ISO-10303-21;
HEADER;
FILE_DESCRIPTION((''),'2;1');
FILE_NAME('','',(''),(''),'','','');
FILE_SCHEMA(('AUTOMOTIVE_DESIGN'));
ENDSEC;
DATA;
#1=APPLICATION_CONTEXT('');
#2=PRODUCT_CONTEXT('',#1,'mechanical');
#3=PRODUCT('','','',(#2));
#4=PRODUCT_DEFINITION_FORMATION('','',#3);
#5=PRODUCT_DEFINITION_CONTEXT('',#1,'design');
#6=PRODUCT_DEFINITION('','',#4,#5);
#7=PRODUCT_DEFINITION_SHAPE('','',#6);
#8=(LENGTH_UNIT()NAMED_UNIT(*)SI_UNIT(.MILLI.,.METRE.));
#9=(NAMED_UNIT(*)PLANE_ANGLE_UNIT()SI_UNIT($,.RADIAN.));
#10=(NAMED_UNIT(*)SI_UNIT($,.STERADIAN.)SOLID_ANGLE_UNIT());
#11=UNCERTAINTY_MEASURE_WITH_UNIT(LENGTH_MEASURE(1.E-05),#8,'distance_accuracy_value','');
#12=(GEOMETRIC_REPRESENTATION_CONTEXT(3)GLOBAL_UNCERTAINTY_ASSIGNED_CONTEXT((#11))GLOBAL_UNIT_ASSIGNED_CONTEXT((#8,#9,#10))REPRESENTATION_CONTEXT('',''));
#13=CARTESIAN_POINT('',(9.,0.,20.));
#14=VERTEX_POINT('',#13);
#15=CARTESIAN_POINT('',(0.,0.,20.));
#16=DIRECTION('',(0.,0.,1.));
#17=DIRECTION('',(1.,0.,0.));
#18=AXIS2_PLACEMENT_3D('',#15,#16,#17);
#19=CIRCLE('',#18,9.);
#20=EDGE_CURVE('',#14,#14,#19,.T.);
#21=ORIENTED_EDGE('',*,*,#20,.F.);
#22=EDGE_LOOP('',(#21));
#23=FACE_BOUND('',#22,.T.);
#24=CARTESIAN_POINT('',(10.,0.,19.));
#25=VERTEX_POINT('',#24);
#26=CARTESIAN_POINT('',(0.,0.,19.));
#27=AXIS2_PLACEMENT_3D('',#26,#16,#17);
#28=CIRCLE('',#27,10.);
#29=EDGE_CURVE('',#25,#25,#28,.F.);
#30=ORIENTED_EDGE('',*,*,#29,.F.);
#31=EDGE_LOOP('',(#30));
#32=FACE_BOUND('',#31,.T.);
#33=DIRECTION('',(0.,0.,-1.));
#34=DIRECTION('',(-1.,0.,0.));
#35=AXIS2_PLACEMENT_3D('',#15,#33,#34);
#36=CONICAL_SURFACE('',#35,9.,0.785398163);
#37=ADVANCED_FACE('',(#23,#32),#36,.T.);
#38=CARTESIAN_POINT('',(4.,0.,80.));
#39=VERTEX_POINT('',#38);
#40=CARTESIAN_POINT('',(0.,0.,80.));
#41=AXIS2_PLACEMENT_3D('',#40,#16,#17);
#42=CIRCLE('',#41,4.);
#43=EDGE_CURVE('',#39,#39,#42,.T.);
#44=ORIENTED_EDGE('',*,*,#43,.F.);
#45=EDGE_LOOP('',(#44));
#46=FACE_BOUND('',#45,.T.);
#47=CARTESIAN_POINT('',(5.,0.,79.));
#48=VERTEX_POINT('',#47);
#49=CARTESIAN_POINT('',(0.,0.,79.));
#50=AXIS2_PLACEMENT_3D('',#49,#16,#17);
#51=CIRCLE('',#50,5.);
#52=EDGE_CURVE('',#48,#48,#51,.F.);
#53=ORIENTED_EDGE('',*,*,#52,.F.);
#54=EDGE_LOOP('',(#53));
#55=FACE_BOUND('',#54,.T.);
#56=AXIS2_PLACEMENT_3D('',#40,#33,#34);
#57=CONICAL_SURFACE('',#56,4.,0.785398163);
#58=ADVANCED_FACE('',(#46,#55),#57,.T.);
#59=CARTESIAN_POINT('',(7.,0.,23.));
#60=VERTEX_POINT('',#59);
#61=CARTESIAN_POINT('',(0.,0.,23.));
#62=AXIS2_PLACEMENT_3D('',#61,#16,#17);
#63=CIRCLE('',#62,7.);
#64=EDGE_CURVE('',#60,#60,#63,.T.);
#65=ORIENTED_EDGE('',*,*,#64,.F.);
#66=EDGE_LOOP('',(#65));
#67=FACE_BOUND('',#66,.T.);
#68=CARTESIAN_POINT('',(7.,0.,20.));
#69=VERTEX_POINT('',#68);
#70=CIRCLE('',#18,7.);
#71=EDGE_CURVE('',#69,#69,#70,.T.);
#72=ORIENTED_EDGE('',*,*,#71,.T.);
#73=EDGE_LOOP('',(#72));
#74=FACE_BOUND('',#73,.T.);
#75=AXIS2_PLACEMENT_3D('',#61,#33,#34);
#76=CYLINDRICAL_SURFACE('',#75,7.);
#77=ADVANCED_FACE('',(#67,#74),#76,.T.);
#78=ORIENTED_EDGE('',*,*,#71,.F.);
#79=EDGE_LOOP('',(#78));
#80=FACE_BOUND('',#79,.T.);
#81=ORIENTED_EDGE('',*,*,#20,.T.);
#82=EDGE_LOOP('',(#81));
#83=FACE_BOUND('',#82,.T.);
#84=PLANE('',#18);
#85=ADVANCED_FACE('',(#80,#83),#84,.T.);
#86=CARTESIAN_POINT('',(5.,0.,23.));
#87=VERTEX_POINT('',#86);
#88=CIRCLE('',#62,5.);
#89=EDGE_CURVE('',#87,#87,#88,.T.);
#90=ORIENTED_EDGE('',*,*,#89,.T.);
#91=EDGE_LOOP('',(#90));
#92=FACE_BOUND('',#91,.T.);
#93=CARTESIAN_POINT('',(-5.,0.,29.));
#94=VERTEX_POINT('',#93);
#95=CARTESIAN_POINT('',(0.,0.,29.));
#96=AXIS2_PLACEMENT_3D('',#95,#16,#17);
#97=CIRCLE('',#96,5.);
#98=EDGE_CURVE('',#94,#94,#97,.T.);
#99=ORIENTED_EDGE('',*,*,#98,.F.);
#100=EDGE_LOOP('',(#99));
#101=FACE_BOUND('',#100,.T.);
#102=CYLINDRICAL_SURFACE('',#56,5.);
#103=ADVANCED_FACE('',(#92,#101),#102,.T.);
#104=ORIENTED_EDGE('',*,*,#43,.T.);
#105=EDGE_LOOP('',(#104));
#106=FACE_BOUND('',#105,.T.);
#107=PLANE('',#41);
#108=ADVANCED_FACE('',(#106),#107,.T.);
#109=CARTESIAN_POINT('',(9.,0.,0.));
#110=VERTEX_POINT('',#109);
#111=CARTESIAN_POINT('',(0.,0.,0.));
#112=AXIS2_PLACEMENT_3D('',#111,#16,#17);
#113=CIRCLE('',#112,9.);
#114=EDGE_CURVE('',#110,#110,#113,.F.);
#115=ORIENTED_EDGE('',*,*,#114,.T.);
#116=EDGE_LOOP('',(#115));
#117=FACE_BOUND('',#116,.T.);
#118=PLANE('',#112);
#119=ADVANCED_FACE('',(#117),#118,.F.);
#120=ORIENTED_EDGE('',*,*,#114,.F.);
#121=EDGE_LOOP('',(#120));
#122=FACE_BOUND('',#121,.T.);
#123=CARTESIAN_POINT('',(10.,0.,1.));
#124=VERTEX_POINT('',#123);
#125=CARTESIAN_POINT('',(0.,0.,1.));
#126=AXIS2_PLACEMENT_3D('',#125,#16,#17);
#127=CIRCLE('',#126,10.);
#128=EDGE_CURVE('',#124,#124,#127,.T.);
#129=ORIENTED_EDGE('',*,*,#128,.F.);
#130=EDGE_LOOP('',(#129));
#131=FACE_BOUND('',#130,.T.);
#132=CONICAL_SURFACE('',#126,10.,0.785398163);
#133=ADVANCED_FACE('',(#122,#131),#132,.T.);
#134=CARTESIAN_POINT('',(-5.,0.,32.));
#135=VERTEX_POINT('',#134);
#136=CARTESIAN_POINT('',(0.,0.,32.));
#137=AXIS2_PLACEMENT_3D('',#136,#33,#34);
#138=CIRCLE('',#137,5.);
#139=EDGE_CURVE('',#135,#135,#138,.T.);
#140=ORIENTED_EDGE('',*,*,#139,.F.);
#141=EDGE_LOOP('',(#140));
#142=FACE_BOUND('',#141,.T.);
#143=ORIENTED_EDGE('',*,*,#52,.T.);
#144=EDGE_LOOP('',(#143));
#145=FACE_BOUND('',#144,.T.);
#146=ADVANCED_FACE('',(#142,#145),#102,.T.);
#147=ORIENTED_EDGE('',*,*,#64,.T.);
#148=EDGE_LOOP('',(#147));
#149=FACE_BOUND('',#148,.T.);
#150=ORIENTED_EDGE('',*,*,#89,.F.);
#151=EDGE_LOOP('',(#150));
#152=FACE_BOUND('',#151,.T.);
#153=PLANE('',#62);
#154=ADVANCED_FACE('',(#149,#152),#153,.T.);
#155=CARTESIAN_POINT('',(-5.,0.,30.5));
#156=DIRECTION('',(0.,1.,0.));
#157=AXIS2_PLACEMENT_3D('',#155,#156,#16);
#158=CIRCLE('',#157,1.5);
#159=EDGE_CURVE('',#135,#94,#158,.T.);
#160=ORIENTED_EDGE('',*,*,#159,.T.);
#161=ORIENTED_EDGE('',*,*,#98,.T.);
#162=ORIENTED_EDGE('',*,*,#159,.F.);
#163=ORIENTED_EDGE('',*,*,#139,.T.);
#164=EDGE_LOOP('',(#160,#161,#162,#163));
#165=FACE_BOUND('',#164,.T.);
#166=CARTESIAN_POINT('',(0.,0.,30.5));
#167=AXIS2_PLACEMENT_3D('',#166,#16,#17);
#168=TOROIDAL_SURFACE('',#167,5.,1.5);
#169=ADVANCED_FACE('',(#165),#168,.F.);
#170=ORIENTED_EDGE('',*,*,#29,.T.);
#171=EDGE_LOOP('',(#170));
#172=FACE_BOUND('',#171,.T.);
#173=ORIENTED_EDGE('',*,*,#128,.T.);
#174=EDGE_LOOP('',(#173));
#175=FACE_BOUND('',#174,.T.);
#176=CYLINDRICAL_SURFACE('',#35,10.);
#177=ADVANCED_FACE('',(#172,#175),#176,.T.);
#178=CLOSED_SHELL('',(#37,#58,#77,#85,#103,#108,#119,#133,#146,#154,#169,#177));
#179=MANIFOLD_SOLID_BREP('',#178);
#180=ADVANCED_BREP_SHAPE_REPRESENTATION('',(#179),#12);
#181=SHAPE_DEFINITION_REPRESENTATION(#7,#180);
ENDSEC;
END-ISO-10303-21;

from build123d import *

# Parameters (mm, degrees)
ESBO_O1_R                = 10
RESSALTO_EXTRUS_O1_DEPTH = 20
ESBO_O2_R                = 7
RESSALTO_EXTRUS_O2_DEPTH = 3
ESBO_O3_R                = 5
RESSALTO_EXTRUS_O3_DEPTH = 57
CHANFRO1_SIZE            = 1
CHANFRO2_SIZE            = 1
CHANFRO3_SIZE            = 1
ESBO_O5_R                = 1.5


with BuildPart() as part:
    # Esboço1 → Ressalto-extrusão1 (new body)
    with BuildSketch(Plane.XY):
        Circle(ESBO_O1_R)
    extrude(amount=RESSALTO_EXTRUS_O1_DEPTH)

    # Esboço2 → Ressalto-extrusão2 (add)
    with BuildSketch(Plane.XY.offset(20)):
        Circle(ESBO_O2_R)
    extrude(amount=RESSALTO_EXTRUS_O2_DEPTH)

    # Esboço3 → Ressalto-extrusão3 (add)
    with BuildSketch(Plane.XY.offset(23)):
        with Locations(Location((0, 0, 0), (0, 0, 180))):
            Circle(ESBO_O3_R)
    extrude(amount=RESSALTO_EXTRUS_O3_DEPTH)

    # Chanfro1
    chanfro1_edges = [part.edges().sort_by_distance(p)[0] for p in [
        (-10, 0, 0),
    ]]
    chamfer(chanfro1_edges, length=CHANFRO1_SIZE)

    # Chanfro2
    chanfro2_edges = [part.edges().sort_by_distance(p)[0] for p in [
        (-10, 0, 20),
    ]]
    chamfer(chanfro2_edges, length=CHANFRO2_SIZE)

    # Chanfro3
    chanfro3_edges = [part.edges().sort_by_distance(p)[0] for p in [
        (5, 0, 80),
    ]]
    chamfer(chanfro3_edges, length=CHANFRO3_SIZE)

    # Varredura de corte1: sweep along a path in Esboço7
    with BuildLine(Plane.XY.offset(30.5)) as varredura_de_corte1_path:
        CenterArc((0, 0), 5, 0, 360)
    # Esboço5 → Varredura de corte1 (sweep, cut)
    with BuildSketch(Plane(origin=(0, 0, 0), x_dir=(1, 0, 0), z_dir=(0, 1, 0))):
        with Locations((-5, -30.5)):
            Circle(ESBO_O5_R)
    sweep(path=varredura_de_corte1_path.line, mode=Mode.SUBTRACT)


solid = part.part
